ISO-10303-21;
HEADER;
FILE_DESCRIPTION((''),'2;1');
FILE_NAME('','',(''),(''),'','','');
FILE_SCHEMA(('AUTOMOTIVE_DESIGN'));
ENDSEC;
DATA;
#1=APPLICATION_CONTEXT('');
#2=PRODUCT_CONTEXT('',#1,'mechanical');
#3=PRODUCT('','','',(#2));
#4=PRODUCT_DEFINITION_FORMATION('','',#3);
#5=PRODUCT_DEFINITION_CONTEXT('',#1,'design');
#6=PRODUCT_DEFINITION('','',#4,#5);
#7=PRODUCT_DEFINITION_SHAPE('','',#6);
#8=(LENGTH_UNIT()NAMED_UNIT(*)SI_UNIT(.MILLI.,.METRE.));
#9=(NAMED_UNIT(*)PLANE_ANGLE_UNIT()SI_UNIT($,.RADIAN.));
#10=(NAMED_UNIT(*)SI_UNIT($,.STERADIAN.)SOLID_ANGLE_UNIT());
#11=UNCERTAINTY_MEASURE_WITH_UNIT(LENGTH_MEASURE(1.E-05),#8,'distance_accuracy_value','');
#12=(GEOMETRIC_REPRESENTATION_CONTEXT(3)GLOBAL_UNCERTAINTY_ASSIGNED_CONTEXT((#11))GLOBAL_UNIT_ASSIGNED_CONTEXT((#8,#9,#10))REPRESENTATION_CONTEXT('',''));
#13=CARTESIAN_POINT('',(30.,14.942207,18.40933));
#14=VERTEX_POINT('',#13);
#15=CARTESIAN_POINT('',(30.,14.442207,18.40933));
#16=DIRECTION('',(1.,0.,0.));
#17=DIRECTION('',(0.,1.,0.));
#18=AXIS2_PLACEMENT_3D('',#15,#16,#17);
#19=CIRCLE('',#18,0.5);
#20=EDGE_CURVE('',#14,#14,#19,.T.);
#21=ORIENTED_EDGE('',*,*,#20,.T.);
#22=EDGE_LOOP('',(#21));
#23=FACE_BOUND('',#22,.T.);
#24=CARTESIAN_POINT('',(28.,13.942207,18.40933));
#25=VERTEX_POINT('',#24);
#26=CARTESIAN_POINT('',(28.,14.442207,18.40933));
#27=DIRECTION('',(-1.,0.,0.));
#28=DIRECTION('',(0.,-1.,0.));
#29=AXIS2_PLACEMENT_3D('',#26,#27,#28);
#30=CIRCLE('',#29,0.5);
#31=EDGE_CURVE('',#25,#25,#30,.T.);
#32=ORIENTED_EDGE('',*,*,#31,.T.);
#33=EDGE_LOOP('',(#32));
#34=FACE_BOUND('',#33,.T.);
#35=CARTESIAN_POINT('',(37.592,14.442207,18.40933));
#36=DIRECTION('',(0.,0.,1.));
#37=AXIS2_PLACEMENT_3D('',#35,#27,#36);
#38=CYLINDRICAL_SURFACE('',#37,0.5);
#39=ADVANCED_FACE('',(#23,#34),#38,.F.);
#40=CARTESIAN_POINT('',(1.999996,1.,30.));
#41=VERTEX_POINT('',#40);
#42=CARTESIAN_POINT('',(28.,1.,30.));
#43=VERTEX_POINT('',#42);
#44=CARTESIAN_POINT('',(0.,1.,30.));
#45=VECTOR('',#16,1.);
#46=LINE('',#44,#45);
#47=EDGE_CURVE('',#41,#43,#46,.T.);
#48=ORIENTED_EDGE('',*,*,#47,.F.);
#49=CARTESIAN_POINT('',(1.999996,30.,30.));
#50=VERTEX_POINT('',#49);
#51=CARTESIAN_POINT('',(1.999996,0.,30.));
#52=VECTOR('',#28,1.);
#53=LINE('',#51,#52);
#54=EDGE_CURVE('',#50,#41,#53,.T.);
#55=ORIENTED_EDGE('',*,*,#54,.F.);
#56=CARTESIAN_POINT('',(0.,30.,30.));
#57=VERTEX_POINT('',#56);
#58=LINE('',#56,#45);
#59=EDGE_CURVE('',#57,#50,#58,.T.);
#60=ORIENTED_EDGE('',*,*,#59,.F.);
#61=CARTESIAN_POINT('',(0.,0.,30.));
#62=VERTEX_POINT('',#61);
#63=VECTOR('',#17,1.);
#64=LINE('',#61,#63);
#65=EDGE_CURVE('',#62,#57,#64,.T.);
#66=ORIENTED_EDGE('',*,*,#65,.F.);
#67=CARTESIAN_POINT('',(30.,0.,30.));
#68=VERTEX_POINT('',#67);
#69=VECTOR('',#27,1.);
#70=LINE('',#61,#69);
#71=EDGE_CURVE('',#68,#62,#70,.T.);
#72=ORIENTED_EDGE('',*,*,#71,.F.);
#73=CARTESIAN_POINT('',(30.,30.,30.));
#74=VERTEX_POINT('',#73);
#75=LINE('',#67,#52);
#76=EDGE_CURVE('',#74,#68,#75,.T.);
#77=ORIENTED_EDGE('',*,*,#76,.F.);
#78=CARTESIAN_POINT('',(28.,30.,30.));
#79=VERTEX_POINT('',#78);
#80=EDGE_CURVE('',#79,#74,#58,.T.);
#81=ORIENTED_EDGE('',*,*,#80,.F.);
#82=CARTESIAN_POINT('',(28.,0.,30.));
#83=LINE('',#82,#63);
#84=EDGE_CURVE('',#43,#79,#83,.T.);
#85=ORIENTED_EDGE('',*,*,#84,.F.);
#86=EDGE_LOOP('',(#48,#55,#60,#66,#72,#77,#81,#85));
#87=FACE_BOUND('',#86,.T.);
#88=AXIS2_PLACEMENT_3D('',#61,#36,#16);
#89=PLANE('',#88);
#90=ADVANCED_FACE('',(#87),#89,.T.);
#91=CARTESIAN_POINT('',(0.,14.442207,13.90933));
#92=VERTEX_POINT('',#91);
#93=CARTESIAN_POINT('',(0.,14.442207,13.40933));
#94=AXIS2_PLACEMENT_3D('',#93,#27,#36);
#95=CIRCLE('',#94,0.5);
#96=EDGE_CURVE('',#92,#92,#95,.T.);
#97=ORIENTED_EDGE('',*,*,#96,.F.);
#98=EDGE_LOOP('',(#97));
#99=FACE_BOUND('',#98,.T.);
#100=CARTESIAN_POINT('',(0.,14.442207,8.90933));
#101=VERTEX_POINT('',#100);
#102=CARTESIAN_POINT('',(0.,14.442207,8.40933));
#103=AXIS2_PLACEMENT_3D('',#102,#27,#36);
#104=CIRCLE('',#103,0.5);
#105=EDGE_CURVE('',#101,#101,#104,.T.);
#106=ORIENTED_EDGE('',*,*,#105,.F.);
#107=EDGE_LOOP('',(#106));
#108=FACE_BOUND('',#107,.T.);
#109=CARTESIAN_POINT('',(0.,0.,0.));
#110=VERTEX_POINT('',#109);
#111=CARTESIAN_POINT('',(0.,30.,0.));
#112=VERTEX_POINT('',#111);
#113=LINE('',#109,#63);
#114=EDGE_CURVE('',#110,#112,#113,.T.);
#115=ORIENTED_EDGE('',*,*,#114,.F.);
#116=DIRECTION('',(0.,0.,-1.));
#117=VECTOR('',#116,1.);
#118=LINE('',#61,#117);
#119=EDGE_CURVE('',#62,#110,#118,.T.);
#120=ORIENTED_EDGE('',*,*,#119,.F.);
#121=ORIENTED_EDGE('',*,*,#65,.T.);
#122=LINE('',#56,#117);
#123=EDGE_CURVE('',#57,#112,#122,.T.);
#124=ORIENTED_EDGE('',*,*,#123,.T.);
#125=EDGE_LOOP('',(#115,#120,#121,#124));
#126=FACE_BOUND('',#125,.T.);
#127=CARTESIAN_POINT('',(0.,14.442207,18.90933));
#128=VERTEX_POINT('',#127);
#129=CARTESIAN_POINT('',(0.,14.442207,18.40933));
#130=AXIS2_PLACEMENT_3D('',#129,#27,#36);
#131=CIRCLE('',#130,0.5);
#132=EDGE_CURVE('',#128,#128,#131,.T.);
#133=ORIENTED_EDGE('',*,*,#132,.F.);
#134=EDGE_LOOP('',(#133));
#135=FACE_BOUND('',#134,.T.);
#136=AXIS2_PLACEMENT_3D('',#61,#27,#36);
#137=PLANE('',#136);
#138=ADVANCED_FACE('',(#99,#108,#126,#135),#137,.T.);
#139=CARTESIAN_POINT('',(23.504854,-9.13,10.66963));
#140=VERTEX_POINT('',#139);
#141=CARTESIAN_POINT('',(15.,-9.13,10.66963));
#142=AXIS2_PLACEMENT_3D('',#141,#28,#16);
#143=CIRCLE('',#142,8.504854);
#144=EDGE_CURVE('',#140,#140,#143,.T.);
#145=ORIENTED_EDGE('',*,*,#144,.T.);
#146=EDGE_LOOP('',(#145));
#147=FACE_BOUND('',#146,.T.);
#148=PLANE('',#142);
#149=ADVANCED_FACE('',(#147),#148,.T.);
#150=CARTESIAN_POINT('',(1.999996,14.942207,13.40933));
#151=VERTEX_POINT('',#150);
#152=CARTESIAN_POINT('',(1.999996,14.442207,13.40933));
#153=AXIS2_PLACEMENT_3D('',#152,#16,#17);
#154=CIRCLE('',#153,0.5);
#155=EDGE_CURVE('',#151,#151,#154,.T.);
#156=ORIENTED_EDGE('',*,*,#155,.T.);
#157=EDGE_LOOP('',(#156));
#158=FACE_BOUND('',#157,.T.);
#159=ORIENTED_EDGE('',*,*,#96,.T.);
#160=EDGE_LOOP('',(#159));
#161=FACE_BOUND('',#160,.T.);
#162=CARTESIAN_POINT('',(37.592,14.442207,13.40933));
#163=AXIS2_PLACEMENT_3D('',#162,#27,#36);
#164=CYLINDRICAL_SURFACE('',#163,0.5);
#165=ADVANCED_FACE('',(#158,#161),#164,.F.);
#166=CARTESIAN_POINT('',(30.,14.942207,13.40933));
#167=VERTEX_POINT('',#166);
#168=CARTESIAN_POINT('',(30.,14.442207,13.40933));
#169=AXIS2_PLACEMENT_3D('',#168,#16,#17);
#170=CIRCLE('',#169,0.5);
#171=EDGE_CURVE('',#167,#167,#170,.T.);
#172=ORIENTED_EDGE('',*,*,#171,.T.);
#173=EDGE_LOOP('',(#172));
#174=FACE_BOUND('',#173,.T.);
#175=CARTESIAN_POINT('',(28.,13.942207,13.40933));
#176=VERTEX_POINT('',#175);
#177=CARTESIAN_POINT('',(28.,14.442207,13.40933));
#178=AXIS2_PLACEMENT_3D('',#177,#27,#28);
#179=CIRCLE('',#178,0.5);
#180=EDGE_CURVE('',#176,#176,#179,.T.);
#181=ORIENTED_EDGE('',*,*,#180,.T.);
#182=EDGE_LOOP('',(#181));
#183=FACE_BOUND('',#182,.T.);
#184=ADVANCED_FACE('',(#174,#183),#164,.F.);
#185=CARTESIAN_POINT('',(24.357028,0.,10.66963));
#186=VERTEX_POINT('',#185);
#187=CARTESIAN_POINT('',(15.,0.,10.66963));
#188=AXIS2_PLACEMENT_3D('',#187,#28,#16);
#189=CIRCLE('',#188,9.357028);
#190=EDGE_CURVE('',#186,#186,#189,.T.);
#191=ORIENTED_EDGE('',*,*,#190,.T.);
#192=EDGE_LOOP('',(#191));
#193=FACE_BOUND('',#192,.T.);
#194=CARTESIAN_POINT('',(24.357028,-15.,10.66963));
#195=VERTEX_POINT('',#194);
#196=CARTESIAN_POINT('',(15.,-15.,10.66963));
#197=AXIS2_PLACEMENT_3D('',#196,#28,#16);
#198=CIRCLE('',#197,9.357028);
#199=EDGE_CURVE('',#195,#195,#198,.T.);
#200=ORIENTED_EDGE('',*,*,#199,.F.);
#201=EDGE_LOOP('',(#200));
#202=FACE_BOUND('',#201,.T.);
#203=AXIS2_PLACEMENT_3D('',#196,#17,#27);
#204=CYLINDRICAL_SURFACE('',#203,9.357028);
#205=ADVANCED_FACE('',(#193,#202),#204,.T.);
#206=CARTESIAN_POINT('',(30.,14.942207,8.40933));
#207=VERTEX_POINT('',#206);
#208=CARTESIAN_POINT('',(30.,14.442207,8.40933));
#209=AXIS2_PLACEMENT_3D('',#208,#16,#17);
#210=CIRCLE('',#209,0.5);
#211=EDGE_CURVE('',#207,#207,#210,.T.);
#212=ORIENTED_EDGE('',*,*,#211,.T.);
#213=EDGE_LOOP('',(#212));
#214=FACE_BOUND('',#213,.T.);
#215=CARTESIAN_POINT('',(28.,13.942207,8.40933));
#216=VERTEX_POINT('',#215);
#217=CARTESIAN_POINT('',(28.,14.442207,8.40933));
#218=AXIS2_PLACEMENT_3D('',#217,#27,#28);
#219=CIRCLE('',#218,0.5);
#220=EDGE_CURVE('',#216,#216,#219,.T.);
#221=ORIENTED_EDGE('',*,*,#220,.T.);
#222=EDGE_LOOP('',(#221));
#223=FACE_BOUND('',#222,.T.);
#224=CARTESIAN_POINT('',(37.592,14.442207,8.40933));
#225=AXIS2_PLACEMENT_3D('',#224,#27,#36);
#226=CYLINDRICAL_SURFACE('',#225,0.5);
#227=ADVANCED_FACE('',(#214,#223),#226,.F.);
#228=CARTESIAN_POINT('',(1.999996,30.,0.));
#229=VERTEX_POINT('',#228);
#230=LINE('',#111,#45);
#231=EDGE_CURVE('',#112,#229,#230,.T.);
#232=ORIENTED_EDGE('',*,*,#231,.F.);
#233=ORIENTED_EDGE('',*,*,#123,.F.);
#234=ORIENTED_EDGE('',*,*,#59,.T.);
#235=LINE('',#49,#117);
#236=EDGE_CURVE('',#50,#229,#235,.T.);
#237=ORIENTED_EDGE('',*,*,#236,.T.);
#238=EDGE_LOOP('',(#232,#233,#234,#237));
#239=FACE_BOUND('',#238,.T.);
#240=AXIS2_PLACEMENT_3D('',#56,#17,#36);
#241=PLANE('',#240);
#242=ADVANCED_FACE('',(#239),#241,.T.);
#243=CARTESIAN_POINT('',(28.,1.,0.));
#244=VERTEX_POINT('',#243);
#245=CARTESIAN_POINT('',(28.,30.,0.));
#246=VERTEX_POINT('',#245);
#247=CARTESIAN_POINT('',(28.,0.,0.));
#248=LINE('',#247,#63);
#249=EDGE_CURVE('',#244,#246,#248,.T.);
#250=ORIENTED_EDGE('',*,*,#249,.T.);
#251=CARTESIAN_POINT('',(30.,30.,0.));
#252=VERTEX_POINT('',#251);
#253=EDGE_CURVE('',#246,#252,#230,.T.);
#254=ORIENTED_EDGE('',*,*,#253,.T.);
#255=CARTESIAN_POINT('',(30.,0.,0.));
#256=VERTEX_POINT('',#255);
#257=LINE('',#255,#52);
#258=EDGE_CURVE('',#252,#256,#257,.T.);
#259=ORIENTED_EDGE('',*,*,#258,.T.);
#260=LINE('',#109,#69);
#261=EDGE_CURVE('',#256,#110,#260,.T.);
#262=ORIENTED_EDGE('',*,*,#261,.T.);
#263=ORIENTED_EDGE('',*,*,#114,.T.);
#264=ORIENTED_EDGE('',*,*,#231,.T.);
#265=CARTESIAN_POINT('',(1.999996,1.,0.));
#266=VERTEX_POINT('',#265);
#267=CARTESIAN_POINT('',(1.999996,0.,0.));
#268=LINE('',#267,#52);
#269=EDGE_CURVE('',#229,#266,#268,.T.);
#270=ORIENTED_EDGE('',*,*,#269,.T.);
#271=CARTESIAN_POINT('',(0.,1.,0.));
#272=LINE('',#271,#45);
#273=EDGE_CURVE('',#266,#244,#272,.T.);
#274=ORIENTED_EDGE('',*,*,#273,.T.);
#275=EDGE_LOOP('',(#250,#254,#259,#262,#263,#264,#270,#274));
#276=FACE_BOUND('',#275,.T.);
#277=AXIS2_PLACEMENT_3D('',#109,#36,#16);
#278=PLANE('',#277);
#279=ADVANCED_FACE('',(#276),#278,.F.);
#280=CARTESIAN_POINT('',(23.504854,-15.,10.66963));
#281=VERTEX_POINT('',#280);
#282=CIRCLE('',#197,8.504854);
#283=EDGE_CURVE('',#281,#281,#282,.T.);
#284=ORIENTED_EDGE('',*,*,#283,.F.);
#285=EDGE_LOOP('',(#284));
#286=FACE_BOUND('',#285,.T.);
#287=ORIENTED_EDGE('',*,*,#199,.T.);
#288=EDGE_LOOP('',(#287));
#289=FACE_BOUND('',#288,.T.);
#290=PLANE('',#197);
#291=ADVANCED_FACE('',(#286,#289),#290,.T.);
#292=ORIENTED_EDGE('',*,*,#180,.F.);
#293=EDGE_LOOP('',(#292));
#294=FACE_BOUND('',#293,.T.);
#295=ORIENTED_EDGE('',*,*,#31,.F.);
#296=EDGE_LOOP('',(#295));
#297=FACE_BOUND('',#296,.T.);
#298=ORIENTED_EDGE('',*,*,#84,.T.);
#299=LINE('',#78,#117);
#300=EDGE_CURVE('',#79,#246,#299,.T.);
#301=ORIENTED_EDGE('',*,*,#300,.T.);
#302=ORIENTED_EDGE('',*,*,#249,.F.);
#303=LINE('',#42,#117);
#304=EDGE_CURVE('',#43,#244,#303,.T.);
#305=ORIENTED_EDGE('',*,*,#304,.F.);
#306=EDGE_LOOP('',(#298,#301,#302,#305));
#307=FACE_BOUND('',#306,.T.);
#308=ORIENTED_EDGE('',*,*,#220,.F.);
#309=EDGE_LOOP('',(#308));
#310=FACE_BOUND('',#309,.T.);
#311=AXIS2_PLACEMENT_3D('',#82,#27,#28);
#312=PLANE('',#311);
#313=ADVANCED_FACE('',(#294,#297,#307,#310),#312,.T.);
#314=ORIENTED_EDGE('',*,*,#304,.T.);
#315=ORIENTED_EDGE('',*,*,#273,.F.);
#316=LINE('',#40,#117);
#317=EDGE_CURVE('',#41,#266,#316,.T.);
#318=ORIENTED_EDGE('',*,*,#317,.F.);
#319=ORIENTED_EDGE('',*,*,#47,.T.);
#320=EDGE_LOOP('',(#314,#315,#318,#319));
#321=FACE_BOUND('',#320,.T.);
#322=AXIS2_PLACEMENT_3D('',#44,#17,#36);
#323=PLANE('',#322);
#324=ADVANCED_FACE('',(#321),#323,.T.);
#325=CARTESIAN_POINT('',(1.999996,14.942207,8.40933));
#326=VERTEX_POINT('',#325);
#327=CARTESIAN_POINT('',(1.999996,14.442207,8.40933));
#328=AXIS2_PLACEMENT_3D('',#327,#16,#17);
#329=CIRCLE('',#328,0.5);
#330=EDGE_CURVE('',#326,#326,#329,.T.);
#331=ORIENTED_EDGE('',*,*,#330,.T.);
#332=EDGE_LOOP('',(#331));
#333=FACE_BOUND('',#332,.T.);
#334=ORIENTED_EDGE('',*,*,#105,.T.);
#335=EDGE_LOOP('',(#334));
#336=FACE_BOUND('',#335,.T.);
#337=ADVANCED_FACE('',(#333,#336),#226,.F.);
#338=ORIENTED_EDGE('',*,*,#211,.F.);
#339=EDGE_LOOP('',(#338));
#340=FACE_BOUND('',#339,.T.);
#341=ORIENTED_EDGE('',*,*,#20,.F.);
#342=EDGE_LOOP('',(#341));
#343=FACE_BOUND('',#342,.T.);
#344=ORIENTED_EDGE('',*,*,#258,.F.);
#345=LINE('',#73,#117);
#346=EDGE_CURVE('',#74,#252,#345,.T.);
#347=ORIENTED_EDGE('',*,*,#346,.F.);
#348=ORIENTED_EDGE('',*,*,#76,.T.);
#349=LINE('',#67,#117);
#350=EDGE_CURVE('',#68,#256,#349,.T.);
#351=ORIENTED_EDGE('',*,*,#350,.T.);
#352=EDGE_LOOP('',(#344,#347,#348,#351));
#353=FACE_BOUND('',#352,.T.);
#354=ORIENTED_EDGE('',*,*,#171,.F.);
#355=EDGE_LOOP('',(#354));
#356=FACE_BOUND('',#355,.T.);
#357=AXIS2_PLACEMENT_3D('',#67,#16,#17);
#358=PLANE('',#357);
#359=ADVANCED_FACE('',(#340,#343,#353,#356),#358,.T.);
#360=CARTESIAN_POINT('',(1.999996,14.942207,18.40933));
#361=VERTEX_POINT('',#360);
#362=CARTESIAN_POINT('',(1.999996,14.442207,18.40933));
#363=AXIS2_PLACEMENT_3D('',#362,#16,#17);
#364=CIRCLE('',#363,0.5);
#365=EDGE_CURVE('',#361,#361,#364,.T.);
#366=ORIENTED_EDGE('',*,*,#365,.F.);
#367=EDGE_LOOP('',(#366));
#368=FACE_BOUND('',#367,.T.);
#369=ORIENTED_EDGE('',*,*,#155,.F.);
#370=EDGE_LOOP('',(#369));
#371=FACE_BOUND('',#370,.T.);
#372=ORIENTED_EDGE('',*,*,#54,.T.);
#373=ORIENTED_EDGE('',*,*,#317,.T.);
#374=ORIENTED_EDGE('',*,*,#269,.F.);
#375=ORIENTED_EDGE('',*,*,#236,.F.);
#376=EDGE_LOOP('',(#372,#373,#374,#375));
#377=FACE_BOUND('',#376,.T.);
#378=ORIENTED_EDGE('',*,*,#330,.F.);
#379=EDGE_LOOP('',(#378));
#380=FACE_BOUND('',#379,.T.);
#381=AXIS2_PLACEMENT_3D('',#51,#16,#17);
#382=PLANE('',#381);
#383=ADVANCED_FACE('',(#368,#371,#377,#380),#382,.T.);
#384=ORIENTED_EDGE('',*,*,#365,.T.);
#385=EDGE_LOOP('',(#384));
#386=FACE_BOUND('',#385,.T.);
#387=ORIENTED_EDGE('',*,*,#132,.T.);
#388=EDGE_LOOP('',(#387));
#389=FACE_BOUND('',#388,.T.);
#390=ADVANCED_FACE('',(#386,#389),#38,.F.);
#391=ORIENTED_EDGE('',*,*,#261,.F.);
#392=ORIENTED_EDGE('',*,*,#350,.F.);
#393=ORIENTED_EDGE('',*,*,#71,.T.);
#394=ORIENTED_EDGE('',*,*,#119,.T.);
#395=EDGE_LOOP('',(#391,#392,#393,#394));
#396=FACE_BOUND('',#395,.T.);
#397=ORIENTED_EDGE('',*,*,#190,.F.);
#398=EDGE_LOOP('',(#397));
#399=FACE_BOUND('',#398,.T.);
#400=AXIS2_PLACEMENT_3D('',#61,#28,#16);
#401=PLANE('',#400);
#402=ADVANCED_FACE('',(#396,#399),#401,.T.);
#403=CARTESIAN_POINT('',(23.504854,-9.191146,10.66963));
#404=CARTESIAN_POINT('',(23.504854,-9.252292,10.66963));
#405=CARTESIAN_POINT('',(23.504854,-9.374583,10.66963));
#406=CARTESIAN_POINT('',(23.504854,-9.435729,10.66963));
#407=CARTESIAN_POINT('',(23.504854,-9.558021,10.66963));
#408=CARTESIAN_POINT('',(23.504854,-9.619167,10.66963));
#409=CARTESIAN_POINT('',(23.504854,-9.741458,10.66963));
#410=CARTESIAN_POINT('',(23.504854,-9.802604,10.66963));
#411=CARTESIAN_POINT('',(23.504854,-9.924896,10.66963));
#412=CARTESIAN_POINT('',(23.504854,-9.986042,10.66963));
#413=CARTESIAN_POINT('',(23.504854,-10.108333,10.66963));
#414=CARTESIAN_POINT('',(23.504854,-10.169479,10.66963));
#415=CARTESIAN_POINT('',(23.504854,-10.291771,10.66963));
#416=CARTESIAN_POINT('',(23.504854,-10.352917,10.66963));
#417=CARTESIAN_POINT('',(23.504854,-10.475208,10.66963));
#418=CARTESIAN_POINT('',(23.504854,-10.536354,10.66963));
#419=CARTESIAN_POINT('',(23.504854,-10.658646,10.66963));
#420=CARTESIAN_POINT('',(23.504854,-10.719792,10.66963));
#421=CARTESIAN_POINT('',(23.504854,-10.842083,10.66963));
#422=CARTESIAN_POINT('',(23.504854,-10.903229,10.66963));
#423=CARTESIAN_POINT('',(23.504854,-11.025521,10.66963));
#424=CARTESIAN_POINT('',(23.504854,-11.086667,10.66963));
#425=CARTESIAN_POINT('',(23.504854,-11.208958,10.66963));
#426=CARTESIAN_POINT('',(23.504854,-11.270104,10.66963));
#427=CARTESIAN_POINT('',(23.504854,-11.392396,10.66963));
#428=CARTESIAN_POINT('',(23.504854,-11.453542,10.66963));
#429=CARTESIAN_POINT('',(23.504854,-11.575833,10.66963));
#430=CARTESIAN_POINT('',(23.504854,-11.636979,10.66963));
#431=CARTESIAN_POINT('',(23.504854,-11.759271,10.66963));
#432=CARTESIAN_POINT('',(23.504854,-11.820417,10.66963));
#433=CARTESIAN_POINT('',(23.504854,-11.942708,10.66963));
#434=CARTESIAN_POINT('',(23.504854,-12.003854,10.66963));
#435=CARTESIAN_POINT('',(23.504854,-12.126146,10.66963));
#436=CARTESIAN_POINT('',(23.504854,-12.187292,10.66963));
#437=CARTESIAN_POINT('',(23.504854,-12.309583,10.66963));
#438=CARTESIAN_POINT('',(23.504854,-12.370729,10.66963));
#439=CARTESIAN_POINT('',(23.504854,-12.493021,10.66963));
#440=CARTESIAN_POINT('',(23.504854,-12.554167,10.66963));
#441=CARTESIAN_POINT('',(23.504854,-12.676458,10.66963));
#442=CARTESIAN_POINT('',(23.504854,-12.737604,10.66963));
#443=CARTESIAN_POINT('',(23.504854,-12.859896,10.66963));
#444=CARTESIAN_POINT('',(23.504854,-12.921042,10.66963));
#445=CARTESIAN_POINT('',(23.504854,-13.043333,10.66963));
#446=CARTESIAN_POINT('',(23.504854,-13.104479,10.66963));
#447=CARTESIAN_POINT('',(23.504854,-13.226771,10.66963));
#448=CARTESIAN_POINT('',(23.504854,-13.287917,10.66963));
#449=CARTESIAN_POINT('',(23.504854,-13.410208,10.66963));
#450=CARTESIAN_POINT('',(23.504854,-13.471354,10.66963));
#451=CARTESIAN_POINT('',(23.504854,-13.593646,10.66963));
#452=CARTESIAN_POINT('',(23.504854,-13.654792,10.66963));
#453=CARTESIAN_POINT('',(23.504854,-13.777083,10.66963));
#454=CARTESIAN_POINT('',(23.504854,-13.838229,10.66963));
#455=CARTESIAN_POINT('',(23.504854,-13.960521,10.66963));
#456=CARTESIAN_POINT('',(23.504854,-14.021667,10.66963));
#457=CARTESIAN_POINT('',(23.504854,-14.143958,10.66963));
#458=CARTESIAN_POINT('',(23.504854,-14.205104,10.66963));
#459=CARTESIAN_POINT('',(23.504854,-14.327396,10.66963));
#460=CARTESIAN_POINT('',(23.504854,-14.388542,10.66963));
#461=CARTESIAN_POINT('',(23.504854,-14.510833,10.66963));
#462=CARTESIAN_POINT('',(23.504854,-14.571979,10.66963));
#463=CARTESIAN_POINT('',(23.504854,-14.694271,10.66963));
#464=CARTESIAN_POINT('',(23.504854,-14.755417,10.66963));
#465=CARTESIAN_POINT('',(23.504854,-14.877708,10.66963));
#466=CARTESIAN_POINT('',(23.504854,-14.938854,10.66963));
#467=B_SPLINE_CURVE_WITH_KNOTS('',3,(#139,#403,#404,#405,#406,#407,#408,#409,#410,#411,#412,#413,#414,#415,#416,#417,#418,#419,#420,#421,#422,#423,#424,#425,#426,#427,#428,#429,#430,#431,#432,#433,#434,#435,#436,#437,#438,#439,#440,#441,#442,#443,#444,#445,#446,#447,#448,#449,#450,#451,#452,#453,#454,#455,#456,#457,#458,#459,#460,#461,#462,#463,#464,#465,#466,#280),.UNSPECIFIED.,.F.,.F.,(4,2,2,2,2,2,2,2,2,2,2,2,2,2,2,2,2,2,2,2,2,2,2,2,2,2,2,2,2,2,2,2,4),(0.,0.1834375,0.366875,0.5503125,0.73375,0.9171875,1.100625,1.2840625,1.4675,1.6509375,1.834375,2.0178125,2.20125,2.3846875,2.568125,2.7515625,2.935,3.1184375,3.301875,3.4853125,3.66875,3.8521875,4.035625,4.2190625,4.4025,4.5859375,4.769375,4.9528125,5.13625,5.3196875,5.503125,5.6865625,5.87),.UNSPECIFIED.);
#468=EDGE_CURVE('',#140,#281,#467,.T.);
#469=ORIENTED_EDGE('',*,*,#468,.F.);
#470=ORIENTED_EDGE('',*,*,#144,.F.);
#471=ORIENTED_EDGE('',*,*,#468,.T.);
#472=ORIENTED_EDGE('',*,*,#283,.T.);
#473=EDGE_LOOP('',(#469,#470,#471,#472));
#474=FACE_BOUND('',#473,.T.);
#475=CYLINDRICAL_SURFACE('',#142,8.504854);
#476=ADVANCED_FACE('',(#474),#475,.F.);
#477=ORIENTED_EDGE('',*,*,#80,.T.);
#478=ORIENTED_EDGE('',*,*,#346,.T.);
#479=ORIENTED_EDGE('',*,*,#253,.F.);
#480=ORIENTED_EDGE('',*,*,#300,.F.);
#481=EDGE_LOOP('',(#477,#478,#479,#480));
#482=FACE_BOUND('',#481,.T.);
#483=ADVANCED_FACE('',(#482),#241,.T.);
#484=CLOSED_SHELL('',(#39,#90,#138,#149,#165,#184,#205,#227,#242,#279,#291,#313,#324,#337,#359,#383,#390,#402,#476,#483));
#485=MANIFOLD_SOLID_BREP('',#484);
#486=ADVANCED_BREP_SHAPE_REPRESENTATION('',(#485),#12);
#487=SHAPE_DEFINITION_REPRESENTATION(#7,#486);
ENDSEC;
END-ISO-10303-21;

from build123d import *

# Parameters (mm, degrees)
BOSS_EXTRUDE2_DEPTH = 30
SKETCH2_R           = 9.357027653
BOSS_EXTRUDE3_DEPTH = 15
SKETCH3_R           = 8.504853576
CUT_EXTRUDE1_DEPTH  = 5.87
SKETCH4_R           = 0.5
CUT_EXTRUDE2_DEPTH  = 37.592


with BuildPart() as part:
    # Sketch1 → Boss-Extrude2 (new body)
    with BuildSketch(Plane.XY):
        Polygon((0, 30), (0, 0), (30, 0), (30, 30), (28, 30), (28, 1), (1.999996, 1), (1.999996, 30), align=None)
    extrude(amount=BOSS_EXTRUDE2_DEPTH)

    # Sketch2 → Boss-Extrude3 (add)
    with BuildSketch(Plane.XZ):
        with Locations((15, 10.669629744)):
            Circle(SKETCH2_R)
    extrude(amount=BOSS_EXTRUDE3_DEPTH)

    # Sketch3 → Cut-Extrude1 (cut)
    with BuildSketch(Plane.XZ.offset(15)):
        with Locations((15, 10.669629744)):
            Circle(SKETCH3_R)
    extrude(amount=-CUT_EXTRUDE1_DEPTH, mode=Mode.SUBTRACT)

    # Sketch4 → Cut-Extrude2 (cut)
    with BuildSketch(Plane.ZY):
        with Locations(Location((8.409330375, 14.442206742, 0), (0, 0, 270))):
            Circle(SKETCH4_R)
        with Locations(Location((13.409330375, 14.442206742, 0), (0, 0, 270))):
            Circle(SKETCH4_R)
        with Locations(Location((18.409330375, 14.442206742, 0), (0, 0, 270))):
            Circle(SKETCH4_R)
    extrude(amount=-CUT_EXTRUDE2_DEPTH, mode=Mode.SUBTRACT)


solid = part.part
